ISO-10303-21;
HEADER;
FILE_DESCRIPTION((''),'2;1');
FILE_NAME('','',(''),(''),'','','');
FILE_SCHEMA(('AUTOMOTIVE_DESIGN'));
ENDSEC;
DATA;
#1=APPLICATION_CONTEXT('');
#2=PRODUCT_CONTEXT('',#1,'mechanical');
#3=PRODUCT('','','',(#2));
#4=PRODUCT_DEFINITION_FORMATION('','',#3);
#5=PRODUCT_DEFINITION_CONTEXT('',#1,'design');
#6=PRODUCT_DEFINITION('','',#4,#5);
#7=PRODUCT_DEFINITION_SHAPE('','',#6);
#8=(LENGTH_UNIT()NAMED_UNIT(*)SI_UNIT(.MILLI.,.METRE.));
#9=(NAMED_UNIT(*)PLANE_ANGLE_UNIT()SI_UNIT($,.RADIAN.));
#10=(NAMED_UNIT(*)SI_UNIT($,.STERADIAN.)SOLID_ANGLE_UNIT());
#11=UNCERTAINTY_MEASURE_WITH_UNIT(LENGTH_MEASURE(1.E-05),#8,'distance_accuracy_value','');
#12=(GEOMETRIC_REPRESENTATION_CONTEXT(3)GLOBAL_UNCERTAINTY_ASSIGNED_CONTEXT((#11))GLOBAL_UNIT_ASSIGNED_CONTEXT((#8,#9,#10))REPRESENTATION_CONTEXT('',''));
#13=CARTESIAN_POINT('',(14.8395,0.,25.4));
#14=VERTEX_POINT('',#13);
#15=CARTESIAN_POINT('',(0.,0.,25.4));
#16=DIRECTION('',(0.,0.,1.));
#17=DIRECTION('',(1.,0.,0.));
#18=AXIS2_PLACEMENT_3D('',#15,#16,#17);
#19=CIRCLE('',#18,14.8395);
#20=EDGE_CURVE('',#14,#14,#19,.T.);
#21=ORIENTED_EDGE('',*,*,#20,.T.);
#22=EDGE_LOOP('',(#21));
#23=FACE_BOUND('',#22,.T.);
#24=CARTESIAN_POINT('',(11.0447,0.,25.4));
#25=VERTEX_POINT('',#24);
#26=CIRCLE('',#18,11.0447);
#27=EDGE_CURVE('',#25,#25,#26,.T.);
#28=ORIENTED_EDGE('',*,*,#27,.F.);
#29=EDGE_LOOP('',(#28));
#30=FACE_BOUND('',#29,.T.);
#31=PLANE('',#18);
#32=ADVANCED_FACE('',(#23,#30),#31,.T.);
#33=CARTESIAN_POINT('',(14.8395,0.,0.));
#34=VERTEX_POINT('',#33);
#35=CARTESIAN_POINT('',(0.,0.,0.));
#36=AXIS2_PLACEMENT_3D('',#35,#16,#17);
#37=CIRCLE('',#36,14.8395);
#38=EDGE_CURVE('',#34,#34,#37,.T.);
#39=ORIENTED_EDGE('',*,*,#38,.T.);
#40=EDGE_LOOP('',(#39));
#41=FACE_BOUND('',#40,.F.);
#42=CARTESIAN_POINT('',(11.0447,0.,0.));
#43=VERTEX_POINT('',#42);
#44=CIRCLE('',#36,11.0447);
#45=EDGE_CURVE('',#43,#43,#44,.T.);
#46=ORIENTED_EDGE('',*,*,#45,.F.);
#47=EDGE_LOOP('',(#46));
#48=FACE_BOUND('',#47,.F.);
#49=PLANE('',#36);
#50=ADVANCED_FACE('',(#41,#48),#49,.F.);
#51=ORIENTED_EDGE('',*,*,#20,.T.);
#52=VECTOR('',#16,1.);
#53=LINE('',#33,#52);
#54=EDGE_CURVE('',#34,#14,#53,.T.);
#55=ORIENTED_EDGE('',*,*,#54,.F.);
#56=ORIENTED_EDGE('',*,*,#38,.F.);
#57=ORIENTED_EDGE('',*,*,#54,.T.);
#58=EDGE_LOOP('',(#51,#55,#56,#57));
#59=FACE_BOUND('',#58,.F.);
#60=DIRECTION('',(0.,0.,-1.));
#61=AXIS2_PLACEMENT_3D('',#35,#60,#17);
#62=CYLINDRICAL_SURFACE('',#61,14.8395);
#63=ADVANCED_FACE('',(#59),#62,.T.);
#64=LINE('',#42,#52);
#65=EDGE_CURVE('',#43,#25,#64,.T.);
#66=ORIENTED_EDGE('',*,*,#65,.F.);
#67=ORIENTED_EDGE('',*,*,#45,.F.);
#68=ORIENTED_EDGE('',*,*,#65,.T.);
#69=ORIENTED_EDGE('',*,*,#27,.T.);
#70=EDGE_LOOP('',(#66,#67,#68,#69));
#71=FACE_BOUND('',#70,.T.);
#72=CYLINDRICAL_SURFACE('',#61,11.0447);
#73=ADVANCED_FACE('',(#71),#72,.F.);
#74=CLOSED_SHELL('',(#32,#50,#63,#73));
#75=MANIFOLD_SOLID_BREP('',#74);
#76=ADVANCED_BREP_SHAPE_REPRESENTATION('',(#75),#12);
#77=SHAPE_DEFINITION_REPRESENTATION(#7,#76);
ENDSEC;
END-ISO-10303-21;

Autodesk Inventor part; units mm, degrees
ref_plane "YZ Plane" through (0, 0, 0) normal (1, 0, 0) x (0, 1, 0)
ref_plane "XZ Plane" through (0, 0, 0) normal (0, 1, 0) x (-1, 0, 0)
ref_plane "XY Plane" through (0, 0, 0) normal (0, 0, 1) x (1, 0, 0)
sketch "Sketch1" plane through (0, 0, 0) normal (0, 0, 1) x (1, 0, 0)
  circle A0 centre (0, 0) radius 14.8395
  circle A1 centre (0, 0) radius 11.0447
extrude "Extrusion1" add sketch "Sketch1" along normal blind 25.4
properties part number "Pipe"
